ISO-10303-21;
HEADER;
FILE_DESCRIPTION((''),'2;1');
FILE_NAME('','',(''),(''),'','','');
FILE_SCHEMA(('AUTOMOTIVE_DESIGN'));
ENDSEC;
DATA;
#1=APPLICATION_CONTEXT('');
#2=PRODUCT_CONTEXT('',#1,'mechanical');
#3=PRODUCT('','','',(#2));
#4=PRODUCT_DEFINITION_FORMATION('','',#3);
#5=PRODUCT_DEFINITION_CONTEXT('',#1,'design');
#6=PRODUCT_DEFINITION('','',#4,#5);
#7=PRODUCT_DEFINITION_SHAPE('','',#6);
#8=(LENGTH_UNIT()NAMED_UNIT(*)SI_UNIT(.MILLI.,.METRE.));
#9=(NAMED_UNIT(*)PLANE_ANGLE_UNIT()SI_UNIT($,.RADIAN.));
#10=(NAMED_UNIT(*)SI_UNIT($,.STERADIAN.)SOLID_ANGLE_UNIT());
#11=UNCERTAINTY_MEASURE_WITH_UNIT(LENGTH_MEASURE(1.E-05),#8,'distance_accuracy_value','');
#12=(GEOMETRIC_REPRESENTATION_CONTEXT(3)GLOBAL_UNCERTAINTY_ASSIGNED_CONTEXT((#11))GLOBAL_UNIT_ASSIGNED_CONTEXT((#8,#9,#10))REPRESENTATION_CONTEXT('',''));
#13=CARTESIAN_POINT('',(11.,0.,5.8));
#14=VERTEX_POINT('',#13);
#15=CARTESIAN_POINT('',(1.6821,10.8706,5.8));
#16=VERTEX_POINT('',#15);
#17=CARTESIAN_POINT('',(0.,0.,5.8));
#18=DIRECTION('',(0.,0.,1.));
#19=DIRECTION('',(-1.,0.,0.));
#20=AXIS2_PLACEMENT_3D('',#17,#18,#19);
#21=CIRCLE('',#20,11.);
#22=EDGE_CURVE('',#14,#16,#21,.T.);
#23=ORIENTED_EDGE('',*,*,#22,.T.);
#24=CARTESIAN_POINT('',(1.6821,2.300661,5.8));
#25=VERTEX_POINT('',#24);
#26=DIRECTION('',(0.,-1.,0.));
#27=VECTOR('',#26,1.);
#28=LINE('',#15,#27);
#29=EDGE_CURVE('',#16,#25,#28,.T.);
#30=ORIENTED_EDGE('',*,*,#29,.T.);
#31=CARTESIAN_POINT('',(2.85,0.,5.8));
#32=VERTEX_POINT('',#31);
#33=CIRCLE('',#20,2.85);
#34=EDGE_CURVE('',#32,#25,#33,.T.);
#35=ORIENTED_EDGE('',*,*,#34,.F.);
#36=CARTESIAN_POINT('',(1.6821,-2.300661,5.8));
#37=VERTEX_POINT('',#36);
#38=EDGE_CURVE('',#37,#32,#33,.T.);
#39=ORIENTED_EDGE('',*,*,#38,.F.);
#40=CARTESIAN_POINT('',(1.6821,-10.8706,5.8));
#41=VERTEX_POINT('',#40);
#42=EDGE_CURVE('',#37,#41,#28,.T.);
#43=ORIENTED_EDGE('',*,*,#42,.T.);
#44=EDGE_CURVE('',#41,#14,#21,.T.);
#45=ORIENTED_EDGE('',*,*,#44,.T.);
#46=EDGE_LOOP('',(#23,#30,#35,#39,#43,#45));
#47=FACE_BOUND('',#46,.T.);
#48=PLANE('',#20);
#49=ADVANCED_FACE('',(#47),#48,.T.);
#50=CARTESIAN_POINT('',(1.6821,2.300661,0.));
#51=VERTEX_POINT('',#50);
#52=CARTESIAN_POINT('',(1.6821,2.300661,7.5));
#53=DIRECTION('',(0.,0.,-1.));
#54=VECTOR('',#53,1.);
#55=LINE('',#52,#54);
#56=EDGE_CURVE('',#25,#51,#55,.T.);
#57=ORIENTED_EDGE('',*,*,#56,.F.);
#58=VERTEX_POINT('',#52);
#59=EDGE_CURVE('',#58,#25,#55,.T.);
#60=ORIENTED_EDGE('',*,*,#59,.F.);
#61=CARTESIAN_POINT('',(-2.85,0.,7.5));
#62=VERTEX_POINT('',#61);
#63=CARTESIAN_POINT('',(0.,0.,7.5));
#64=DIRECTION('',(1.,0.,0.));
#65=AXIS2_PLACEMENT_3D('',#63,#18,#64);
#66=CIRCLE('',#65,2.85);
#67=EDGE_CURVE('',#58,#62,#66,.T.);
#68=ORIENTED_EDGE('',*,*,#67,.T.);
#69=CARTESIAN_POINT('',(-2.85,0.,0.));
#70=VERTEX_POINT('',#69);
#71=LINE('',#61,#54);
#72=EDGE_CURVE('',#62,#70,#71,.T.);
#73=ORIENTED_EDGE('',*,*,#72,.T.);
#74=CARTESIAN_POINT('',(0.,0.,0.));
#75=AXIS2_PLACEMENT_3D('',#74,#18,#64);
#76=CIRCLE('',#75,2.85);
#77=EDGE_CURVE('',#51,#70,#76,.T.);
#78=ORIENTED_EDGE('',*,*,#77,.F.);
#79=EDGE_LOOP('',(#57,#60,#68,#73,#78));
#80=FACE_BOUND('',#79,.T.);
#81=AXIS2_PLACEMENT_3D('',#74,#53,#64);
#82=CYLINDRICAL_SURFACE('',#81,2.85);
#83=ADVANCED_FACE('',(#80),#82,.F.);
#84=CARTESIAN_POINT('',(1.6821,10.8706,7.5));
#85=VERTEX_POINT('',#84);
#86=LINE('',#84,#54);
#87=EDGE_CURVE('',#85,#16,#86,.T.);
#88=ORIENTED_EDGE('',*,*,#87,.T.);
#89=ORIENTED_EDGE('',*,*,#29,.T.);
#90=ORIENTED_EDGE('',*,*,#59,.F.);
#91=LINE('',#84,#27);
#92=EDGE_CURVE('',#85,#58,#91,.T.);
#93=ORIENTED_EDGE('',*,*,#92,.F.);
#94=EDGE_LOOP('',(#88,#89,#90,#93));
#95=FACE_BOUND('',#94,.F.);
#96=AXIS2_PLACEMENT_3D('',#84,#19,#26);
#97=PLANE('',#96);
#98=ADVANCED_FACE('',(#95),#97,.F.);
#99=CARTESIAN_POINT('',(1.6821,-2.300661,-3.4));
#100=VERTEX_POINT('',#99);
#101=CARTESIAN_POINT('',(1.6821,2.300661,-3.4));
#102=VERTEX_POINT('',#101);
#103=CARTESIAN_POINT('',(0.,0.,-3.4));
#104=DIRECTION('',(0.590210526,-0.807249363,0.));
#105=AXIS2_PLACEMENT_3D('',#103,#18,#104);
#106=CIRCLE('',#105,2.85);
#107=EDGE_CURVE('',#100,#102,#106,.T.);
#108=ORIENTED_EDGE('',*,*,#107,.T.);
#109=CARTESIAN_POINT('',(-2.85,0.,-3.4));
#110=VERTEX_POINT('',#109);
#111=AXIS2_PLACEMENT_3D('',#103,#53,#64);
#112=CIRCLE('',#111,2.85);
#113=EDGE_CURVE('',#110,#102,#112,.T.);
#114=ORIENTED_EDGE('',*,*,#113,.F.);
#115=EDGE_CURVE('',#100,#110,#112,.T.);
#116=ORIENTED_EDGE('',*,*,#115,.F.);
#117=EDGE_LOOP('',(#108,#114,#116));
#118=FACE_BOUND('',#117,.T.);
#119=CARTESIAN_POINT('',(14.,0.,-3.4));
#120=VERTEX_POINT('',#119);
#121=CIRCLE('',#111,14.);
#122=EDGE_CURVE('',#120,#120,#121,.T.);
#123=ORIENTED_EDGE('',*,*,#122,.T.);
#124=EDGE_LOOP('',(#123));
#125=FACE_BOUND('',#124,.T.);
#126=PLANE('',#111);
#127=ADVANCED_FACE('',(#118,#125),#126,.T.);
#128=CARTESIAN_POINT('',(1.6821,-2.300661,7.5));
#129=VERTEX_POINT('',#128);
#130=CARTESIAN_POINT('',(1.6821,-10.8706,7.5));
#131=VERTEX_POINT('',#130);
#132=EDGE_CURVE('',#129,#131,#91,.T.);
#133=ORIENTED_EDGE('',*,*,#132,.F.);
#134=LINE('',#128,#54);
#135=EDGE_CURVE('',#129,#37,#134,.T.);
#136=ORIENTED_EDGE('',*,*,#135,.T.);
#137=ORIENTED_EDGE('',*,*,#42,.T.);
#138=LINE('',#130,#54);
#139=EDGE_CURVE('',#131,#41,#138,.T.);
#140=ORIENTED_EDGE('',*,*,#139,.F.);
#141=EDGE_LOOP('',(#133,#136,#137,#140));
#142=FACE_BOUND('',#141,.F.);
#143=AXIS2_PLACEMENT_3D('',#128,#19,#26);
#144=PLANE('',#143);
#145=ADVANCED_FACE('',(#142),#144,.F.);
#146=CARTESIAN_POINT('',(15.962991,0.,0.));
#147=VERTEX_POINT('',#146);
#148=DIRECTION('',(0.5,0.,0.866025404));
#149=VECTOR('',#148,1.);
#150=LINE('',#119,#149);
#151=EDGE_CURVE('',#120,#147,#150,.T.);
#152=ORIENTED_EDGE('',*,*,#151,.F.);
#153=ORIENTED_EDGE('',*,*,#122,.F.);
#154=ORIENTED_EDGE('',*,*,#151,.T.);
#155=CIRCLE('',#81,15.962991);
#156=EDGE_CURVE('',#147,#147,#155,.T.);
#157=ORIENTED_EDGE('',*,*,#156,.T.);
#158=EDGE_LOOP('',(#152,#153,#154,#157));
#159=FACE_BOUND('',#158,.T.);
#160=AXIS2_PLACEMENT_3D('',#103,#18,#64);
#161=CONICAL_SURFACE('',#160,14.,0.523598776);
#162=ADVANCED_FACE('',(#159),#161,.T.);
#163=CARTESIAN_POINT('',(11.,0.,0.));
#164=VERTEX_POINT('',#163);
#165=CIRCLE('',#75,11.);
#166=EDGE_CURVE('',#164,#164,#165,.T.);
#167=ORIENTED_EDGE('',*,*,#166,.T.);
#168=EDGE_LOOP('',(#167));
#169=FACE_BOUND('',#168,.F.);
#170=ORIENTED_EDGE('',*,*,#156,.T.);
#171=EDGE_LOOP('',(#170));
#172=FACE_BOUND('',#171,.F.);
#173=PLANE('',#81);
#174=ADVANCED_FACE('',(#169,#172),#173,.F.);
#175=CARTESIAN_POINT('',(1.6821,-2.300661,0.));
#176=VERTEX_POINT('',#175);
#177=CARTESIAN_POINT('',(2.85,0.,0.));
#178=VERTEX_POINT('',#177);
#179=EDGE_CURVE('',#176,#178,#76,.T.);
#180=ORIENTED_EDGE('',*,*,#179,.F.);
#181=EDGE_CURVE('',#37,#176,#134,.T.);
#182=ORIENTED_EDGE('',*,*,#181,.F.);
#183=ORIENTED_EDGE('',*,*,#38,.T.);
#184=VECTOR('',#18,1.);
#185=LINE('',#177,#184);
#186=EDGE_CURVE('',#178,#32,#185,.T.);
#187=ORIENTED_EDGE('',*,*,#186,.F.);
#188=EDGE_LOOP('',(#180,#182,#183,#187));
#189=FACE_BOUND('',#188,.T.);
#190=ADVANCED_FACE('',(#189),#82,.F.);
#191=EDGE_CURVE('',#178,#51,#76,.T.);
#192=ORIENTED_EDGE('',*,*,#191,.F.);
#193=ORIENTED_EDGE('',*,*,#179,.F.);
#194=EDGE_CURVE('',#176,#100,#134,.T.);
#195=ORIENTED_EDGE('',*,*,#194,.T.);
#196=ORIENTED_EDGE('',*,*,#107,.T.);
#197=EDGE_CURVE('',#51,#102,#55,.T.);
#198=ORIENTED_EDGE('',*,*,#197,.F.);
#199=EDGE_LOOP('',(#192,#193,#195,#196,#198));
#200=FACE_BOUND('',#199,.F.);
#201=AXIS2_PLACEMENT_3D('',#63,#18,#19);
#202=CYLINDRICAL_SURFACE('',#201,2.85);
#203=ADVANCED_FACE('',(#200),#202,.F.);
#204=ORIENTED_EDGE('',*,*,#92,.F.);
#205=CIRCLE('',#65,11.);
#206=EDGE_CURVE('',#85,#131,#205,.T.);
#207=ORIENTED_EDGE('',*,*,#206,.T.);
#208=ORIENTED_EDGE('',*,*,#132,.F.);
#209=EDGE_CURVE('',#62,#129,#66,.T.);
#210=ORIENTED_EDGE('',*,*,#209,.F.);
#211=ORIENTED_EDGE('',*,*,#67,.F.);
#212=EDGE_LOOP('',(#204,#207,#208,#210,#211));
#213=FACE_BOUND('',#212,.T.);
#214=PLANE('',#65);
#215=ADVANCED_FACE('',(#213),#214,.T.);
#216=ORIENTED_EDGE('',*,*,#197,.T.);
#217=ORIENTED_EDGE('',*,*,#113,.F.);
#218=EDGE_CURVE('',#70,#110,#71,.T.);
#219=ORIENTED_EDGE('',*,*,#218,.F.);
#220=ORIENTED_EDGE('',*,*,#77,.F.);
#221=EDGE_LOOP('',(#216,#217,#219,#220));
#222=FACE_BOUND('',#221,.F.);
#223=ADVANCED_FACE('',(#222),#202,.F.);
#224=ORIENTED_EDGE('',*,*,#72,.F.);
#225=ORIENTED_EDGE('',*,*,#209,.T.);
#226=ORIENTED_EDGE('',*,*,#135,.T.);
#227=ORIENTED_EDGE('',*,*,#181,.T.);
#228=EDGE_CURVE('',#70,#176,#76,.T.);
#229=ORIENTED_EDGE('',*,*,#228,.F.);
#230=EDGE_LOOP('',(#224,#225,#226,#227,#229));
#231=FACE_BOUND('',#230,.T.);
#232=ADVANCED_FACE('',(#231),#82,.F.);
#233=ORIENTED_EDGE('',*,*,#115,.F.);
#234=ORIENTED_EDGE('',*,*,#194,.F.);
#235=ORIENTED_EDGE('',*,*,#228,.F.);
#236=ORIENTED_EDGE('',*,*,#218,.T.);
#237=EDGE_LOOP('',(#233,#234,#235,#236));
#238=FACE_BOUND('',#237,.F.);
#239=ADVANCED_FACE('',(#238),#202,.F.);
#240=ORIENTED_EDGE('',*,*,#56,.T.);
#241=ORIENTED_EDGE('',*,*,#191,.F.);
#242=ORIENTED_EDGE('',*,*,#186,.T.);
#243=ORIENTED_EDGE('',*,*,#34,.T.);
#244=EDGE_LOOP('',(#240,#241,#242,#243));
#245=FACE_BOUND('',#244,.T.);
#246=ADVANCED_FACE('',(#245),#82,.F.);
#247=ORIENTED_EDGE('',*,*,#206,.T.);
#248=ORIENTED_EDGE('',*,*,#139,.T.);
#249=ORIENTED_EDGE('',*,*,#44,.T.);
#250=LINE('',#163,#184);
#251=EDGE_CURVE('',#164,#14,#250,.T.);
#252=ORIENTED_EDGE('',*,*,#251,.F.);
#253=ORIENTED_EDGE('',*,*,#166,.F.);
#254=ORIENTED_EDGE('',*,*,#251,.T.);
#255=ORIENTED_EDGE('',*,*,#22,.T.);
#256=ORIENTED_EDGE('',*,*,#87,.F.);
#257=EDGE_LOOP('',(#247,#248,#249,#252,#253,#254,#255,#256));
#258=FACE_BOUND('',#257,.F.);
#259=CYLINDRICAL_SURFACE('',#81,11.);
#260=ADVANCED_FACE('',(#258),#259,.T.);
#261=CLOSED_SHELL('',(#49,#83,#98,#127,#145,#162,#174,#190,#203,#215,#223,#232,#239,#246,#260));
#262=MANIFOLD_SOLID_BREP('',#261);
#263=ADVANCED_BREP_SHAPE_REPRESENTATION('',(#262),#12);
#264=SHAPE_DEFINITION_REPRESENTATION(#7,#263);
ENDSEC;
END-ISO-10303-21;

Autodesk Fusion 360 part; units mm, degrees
sketch "Sketch1" plane through (0, 0, 0) normal (0, 0, 1) x (1, 0, 0)
  circle A0 centre (0, 0) radius 11
  circle A1 centre (0, 0) radius 2.85
  dimension "d1" = 22
  dimension "d2" = 5.7
extrude "Extrude1" add sketch "Sketch1" along normal blind 7.5
sketch "Sketch2" plane through (0, 0, 7.5) normal (0, 0, 1) x (-1, 0, 0)
  circle A0 centre (0, 0) radius 2.85
  circle A1 centre (0, 0) radius 11
  line L0 (-1.6821, -10.8706) -> (-1.6821, 10.8706)
extrude "Extrude2" cut sketch "Sketch2" against normal blind 1.7 contours A0 A1 L0 picked at (-5.1344, 6.4731)
sketch "Sketch3" plane through (0, 0, 0) normal (0, 0, -1) x (1, 0, 0)
  circle A0 centre (0, 0) radius 2.85
  circle A1 centre (0, 0) radius 11
  circle A2 centre (0, 0) radius 14
  dimension "d7" = 28
extrude "Extrude3" add sketch "Sketch3" against normal blind 3.4 draft 30 from surface at 3.4 contours A1 | A2
extrude "Extrude4" cut sketch "Sketch2" against normal up to surface (10.9 mm away) contours A0 L0 | A0 L0
